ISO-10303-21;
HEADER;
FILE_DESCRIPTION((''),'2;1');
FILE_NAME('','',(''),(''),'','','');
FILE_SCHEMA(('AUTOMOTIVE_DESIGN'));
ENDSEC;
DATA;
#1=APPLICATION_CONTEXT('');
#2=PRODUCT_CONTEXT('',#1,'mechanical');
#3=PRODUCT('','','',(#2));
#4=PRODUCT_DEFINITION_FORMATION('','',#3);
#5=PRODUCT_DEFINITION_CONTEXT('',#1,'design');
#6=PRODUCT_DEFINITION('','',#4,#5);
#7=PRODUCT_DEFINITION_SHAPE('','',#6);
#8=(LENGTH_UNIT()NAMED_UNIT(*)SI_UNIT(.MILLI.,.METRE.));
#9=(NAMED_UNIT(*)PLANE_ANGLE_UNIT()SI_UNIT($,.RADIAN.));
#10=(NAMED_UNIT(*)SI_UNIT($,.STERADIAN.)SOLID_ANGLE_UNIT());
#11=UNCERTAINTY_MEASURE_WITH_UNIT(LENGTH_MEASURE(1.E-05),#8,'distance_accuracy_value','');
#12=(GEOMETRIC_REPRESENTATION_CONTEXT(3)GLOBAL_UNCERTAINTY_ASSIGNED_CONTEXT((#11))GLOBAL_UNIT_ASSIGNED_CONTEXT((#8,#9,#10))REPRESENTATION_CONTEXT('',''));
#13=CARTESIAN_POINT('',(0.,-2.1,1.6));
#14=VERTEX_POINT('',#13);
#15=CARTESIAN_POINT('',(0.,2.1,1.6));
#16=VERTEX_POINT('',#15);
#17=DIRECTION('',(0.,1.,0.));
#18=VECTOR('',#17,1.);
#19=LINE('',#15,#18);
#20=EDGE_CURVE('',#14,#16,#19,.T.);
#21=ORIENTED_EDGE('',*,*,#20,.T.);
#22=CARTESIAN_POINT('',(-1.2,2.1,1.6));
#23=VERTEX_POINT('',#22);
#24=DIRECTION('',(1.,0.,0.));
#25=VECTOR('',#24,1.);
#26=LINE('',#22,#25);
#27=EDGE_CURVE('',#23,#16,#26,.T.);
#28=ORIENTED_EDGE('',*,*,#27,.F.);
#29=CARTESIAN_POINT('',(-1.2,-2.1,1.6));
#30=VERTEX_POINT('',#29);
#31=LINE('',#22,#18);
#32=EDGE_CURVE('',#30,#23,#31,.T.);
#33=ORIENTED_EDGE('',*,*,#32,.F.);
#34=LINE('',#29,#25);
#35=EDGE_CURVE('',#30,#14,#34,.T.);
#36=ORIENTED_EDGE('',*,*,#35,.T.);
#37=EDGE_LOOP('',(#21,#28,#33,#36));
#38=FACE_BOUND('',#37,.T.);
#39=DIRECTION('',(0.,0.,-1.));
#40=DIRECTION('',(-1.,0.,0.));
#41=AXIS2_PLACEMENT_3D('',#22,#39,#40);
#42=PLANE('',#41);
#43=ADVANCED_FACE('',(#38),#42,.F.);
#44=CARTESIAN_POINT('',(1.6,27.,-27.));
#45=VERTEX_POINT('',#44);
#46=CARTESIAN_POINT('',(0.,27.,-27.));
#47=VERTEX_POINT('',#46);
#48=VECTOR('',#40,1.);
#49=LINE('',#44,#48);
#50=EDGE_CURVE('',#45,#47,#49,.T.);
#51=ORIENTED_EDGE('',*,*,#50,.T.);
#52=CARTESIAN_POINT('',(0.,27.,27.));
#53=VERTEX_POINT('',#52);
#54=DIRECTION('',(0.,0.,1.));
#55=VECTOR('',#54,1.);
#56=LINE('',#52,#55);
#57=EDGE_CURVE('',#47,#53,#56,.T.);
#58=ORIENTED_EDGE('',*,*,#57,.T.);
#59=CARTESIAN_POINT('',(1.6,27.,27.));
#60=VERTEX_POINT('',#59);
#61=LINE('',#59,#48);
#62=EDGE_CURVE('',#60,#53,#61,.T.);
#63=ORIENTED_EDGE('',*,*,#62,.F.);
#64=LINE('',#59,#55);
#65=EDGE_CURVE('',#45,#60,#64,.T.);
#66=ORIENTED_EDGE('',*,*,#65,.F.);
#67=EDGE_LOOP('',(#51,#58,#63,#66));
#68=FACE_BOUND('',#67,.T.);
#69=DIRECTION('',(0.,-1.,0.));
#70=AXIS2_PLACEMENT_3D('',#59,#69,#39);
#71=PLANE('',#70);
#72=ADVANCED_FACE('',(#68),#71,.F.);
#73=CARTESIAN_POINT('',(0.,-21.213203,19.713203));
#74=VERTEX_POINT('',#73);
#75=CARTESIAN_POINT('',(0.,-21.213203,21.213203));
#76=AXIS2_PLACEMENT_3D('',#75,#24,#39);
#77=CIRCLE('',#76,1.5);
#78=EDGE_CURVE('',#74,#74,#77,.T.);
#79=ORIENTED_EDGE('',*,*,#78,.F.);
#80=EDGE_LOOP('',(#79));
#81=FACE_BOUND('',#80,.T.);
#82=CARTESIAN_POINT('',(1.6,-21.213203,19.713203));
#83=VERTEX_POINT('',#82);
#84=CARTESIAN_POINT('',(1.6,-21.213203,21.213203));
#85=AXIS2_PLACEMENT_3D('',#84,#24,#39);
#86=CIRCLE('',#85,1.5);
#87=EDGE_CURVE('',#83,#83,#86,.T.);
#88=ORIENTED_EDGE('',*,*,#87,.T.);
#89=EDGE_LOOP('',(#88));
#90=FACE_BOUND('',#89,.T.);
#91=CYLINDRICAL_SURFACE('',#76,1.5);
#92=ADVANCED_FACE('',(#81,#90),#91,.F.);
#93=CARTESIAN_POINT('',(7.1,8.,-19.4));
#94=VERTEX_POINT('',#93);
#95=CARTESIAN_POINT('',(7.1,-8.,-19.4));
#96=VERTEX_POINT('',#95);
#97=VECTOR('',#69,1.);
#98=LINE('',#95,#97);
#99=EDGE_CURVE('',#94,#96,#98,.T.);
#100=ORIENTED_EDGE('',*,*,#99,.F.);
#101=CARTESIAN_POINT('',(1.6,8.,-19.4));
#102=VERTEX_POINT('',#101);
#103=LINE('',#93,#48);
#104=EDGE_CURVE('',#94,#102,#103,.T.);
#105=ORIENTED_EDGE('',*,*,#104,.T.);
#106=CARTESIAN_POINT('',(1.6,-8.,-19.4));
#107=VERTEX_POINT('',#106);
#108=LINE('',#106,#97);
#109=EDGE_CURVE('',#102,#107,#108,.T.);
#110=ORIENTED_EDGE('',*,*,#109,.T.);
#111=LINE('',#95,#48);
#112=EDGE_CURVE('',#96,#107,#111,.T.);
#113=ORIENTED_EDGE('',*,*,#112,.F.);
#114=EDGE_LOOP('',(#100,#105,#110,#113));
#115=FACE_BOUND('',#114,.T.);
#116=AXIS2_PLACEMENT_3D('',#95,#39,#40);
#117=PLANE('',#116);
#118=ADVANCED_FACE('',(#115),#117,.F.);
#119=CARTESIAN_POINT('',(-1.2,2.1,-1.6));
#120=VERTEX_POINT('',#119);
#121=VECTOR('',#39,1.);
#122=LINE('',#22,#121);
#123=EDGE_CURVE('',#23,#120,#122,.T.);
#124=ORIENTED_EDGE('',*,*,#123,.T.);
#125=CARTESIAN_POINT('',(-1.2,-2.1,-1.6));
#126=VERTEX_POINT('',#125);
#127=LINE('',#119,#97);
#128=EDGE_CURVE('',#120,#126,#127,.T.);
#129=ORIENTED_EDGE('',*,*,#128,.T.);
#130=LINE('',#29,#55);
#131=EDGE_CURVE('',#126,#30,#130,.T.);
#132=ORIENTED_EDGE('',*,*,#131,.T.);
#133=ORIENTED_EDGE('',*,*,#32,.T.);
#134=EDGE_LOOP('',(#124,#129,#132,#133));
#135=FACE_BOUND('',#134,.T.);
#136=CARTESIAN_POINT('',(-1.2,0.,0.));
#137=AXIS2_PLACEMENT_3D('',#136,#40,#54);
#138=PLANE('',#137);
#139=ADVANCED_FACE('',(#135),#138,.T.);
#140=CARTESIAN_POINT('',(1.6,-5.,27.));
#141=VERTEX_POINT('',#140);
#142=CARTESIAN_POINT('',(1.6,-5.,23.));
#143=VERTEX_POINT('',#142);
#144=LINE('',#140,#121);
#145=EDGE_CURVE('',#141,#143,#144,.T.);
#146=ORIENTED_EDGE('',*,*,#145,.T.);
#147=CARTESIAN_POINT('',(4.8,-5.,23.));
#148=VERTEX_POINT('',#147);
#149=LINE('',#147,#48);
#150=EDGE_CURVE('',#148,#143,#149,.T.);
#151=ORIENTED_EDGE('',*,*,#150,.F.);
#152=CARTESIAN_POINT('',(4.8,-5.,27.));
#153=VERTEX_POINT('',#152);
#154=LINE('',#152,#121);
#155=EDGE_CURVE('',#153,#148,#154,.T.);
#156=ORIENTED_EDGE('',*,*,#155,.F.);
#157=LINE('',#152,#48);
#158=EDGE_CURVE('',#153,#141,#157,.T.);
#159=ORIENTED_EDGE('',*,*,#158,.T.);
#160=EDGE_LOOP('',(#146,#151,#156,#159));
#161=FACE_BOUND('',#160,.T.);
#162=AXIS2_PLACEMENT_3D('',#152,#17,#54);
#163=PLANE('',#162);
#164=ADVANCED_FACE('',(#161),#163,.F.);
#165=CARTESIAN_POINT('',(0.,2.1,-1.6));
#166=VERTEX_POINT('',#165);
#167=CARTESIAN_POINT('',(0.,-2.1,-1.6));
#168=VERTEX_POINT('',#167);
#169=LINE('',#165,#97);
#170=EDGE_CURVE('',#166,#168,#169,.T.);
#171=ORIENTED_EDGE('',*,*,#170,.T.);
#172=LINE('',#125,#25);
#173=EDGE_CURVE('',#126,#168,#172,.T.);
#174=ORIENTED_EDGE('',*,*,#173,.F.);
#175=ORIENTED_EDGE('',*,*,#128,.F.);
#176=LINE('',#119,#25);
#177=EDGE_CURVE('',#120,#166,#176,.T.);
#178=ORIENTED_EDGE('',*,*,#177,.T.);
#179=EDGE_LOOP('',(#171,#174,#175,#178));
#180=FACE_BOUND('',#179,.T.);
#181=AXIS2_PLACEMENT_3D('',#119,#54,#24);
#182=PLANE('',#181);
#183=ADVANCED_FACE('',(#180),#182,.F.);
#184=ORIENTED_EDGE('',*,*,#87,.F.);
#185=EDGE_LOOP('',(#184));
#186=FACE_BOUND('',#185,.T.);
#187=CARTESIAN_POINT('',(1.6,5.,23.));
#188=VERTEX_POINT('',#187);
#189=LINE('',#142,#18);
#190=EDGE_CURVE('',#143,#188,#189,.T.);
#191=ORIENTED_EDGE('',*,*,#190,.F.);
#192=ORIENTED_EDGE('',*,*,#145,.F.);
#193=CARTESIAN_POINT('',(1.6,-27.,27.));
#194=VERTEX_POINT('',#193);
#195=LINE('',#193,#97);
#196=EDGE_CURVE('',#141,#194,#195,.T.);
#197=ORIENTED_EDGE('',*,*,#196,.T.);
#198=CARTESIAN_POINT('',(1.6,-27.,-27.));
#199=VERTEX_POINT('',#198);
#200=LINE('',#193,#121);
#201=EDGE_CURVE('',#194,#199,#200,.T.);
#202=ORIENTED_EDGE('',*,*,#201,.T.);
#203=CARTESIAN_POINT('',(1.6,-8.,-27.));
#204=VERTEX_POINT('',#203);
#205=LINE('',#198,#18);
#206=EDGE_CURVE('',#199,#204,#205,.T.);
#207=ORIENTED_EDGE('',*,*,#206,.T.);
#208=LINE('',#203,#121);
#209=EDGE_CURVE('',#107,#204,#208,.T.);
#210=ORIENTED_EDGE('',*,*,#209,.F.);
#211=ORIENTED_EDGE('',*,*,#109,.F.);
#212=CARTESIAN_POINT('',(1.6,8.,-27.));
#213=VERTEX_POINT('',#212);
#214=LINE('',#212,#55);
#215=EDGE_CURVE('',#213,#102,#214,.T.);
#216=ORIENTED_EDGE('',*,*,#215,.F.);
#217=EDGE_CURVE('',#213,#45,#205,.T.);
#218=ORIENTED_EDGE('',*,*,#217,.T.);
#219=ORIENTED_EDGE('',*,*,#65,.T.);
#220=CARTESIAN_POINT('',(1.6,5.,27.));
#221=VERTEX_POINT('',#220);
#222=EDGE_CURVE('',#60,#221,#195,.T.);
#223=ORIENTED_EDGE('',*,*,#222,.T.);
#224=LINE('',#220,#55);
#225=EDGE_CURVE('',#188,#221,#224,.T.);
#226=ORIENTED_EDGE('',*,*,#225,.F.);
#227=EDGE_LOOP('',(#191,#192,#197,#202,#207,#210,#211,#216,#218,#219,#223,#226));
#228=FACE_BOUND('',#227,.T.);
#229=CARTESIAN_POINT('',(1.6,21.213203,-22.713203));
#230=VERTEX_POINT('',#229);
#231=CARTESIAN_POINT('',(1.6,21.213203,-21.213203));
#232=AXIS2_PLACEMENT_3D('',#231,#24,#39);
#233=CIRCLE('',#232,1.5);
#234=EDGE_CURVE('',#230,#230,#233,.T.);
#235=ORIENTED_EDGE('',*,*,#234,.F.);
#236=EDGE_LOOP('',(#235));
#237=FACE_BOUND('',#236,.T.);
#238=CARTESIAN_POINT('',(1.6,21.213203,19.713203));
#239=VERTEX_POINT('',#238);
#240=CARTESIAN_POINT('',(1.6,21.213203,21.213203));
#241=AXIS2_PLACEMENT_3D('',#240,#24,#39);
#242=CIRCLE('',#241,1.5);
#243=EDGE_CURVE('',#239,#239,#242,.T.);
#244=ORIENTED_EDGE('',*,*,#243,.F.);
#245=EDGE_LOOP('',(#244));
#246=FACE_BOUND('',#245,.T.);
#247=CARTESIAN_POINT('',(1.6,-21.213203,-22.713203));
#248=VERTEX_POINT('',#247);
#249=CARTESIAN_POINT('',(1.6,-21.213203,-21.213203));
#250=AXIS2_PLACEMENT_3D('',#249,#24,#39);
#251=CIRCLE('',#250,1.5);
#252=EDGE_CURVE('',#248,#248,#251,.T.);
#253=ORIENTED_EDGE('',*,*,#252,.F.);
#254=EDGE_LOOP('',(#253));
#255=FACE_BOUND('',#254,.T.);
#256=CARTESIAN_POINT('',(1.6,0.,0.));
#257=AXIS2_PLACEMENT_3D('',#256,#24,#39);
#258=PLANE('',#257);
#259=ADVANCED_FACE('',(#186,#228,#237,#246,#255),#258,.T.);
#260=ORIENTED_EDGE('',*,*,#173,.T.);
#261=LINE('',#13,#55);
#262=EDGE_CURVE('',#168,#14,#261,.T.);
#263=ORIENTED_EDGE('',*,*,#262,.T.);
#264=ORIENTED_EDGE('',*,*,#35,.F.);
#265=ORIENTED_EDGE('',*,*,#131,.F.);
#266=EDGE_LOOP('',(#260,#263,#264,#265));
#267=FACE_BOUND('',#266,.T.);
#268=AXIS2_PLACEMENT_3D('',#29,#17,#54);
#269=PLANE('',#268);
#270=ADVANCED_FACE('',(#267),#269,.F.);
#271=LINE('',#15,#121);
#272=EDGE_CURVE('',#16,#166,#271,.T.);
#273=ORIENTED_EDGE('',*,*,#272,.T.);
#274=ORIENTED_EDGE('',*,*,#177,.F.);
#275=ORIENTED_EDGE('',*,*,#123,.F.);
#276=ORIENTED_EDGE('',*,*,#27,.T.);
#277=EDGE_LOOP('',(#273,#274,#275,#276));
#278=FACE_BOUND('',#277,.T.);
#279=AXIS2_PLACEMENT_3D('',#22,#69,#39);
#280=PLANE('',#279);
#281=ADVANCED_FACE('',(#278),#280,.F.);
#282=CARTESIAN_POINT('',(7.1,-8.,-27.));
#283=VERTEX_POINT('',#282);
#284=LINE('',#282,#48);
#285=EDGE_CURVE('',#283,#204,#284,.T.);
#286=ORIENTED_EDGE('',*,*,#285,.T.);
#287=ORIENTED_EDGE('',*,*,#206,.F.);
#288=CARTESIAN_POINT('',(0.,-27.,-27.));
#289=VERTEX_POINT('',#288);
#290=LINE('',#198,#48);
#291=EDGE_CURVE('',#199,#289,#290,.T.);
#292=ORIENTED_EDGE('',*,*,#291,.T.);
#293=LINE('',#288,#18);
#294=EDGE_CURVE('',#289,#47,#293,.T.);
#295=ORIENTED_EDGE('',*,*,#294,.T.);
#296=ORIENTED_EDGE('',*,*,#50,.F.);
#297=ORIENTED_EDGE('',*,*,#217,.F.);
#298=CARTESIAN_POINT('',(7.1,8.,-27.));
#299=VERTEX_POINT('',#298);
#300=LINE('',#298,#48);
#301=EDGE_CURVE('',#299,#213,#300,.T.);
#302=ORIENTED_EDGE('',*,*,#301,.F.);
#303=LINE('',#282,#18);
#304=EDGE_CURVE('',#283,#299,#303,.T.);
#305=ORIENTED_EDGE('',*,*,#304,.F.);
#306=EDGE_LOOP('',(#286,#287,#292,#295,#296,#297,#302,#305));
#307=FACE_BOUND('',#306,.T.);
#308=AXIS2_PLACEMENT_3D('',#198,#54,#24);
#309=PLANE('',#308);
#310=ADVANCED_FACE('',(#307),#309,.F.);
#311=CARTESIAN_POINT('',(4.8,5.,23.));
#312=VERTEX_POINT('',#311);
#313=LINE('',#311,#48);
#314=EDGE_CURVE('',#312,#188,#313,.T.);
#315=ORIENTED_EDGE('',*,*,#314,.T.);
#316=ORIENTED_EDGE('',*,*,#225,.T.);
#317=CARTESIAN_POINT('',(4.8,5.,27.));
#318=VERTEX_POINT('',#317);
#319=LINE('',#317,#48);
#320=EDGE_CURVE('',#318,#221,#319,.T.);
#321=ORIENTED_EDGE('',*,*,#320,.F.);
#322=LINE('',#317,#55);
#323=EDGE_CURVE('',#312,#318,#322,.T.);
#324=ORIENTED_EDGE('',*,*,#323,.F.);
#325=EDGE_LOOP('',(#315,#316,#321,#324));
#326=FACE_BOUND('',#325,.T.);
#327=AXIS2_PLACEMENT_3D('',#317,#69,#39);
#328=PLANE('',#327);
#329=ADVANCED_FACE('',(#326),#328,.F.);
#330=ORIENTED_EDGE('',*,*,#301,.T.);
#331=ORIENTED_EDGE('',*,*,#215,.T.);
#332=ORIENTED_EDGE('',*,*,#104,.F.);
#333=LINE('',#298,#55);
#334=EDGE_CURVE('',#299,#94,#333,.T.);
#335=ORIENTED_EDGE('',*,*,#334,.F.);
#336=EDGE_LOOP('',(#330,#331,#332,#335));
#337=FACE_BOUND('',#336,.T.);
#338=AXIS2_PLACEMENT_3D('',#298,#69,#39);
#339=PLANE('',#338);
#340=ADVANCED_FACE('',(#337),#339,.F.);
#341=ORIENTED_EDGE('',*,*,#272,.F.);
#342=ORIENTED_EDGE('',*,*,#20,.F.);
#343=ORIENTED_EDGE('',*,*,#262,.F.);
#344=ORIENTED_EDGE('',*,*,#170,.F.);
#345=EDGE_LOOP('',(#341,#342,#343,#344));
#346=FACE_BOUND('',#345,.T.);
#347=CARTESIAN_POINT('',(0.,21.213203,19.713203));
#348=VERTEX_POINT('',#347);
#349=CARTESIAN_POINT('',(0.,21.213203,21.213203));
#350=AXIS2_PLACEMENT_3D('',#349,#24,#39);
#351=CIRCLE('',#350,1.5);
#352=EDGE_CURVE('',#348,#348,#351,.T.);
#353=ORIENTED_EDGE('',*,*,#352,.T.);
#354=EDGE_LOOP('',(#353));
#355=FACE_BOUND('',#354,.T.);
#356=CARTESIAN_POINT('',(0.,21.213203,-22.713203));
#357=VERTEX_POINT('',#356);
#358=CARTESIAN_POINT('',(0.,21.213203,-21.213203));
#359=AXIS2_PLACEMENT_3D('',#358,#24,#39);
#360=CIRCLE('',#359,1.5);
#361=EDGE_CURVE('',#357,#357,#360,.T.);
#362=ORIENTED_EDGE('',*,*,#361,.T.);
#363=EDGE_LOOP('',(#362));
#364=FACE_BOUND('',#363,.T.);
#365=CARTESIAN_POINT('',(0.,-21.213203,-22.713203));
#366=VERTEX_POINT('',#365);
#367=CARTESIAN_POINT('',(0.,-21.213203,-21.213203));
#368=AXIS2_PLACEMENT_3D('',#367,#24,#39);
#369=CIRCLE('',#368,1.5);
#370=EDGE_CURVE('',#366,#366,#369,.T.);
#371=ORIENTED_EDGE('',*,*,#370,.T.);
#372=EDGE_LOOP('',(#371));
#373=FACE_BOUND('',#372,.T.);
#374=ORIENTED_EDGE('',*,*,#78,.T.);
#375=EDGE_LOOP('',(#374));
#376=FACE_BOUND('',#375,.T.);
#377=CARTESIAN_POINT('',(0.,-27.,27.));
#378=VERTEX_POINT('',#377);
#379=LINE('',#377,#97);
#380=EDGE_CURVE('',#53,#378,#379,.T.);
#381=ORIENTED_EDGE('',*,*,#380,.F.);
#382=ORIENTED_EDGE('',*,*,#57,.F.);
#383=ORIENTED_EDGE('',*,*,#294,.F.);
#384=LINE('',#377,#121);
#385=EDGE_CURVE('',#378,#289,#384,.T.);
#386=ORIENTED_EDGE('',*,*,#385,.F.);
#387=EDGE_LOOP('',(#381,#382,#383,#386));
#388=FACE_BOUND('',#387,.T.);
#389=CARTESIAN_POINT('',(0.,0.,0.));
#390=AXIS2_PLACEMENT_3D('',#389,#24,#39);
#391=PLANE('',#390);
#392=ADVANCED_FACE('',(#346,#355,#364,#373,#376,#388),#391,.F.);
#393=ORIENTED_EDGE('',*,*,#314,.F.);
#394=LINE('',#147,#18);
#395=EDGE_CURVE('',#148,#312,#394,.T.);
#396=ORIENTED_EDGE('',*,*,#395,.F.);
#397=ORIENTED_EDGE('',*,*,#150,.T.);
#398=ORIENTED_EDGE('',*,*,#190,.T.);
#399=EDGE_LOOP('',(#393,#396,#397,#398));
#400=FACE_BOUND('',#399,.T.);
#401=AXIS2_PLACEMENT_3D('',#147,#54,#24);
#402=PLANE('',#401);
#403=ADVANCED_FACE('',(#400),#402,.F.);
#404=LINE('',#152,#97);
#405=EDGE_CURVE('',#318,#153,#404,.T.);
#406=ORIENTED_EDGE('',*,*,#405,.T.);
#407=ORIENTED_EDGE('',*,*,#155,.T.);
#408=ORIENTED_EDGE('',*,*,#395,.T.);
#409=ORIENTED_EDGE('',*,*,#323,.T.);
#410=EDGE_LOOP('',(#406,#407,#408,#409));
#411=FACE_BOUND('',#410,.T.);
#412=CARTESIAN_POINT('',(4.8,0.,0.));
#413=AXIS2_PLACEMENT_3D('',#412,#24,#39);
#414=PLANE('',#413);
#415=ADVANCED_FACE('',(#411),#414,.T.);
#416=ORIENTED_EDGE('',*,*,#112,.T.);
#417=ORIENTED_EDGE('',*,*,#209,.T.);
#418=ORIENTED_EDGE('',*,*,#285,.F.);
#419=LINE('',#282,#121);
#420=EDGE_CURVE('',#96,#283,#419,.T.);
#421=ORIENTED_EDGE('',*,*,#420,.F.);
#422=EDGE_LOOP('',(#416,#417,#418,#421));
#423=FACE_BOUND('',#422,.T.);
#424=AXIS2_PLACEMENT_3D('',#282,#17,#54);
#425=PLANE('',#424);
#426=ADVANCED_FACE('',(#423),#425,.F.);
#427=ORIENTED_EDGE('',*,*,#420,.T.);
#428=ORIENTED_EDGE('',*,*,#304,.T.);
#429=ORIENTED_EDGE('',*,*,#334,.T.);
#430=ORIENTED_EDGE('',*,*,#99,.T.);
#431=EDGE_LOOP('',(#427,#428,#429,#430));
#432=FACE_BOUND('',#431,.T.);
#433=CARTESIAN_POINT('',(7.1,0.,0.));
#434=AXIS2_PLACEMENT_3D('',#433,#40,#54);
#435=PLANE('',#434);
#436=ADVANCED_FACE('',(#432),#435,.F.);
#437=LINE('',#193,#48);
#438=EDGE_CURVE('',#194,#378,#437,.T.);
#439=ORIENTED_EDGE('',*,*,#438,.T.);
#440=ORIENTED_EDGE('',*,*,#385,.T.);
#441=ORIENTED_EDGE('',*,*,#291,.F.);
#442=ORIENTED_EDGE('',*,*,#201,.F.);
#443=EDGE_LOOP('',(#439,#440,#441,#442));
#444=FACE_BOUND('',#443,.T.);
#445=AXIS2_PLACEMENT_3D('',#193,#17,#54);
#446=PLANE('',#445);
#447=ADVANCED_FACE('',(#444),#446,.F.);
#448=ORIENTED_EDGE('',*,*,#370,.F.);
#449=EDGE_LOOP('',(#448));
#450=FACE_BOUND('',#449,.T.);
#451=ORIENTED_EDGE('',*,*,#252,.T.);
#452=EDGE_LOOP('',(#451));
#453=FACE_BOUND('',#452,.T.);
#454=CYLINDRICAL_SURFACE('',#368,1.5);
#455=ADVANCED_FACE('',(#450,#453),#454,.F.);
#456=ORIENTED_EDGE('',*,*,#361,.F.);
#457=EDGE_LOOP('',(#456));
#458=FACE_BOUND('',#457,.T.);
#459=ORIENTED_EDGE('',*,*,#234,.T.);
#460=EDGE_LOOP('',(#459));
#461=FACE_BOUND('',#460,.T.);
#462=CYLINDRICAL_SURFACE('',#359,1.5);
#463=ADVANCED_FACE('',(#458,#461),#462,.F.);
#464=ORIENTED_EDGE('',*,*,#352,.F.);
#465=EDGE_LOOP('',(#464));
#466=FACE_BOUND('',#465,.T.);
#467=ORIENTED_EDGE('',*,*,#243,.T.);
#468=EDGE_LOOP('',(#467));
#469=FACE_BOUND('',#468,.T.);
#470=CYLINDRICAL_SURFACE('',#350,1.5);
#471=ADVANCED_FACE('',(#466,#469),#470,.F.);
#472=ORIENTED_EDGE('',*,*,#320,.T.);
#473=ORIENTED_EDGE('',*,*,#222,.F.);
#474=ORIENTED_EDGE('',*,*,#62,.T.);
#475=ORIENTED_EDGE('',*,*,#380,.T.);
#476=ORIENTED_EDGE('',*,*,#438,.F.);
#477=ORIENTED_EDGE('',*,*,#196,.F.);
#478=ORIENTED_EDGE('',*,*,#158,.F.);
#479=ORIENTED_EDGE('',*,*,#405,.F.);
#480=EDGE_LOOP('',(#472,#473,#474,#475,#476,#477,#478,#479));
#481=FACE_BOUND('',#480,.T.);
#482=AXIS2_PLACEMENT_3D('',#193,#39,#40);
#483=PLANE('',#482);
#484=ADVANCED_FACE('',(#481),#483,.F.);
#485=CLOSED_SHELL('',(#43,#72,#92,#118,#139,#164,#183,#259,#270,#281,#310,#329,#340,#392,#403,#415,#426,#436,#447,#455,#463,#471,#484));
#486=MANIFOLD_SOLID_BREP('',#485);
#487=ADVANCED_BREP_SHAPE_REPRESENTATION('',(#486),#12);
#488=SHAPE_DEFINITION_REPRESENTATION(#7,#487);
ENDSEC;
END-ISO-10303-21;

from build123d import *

# Parameters (mm, degrees)
SKETCH1_W           = 54
SKETCH1_H           = 54
BOSS_EXTRUDE1_DEPTH = 1.6
SKETCH2_R           = 1.5
CUT_EXTRUDE1_DEPTH  = 39.217273581
SKETCH3_W           = 4.2
SKETCH3_H           = 3.2
BOSS_EXTRUDE2_DEPTH = 1.2
SKETCH4_W           = 16
SKETCH4_H           = 7.6
BOSS_EXTRUDE3_DEPTH = 5.5
SKETCH5_W           = 10
SKETCH5_H           = 4
BOSS_EXTRUDE4_DEPTH = 3.2


with BuildPart() as part:
    # Sketch1 → Boss-Extrude1 (new body)
    with BuildSketch(Plane.YZ):
        Rectangle(SKETCH1_W, SKETCH1_H)
    extrude(amount=BOSS_EXTRUDE1_DEPTH)

    # Sketch2 → Cut-Extrude1 (cut, through all)
    with BuildSketch(Plane.YZ.offset(1.6)):
        with Locations(Location((-21.213203436, 21.213203436, 0), (0, 0, 270))):
            Circle(SKETCH2_R)
        with Locations(Location((21.213203436, 21.213203436, 0), (0, 0, 270))):
            Circle(SKETCH2_R)
        with Locations(Location((-21.213203436, -21.213203436, 0), (0, 0, 270))):
            Circle(SKETCH2_R)
        with Locations(Location((21.213203436, -21.213203436, 0), (0, 0, 270))):
            Circle(SKETCH2_R)
    extrude(amount=-CUT_EXTRUDE1_DEPTH, mode=Mode.SUBTRACT)

    # Sketch3 → Boss-Extrude2 (add)
    with BuildSketch(Plane(origin=(0, 0, 0), x_dir=(0, -1, 0), z_dir=(-1, 0, 0))):
        Rectangle(SKETCH3_W, SKETCH3_H)
    extrude(amount=BOSS_EXTRUDE2_DEPTH)

    # Sketch4 → Boss-Extrude3 (add)
    with BuildSketch(Plane.YZ.offset(1.6)):
        with Locations((0, -23.2)):
            Rectangle(SKETCH4_W, SKETCH4_H)
    extrude(amount=BOSS_EXTRUDE3_DEPTH)

    # Sketch5 → Boss-Extrude4 (add)
    with BuildSketch(Plane.YZ.offset(1.6)):
        with Locations((0, 25)):
            Rectangle(SKETCH5_W, SKETCH5_H)
    extrude(amount=BOSS_EXTRUDE4_DEPTH)


solid = part.part
